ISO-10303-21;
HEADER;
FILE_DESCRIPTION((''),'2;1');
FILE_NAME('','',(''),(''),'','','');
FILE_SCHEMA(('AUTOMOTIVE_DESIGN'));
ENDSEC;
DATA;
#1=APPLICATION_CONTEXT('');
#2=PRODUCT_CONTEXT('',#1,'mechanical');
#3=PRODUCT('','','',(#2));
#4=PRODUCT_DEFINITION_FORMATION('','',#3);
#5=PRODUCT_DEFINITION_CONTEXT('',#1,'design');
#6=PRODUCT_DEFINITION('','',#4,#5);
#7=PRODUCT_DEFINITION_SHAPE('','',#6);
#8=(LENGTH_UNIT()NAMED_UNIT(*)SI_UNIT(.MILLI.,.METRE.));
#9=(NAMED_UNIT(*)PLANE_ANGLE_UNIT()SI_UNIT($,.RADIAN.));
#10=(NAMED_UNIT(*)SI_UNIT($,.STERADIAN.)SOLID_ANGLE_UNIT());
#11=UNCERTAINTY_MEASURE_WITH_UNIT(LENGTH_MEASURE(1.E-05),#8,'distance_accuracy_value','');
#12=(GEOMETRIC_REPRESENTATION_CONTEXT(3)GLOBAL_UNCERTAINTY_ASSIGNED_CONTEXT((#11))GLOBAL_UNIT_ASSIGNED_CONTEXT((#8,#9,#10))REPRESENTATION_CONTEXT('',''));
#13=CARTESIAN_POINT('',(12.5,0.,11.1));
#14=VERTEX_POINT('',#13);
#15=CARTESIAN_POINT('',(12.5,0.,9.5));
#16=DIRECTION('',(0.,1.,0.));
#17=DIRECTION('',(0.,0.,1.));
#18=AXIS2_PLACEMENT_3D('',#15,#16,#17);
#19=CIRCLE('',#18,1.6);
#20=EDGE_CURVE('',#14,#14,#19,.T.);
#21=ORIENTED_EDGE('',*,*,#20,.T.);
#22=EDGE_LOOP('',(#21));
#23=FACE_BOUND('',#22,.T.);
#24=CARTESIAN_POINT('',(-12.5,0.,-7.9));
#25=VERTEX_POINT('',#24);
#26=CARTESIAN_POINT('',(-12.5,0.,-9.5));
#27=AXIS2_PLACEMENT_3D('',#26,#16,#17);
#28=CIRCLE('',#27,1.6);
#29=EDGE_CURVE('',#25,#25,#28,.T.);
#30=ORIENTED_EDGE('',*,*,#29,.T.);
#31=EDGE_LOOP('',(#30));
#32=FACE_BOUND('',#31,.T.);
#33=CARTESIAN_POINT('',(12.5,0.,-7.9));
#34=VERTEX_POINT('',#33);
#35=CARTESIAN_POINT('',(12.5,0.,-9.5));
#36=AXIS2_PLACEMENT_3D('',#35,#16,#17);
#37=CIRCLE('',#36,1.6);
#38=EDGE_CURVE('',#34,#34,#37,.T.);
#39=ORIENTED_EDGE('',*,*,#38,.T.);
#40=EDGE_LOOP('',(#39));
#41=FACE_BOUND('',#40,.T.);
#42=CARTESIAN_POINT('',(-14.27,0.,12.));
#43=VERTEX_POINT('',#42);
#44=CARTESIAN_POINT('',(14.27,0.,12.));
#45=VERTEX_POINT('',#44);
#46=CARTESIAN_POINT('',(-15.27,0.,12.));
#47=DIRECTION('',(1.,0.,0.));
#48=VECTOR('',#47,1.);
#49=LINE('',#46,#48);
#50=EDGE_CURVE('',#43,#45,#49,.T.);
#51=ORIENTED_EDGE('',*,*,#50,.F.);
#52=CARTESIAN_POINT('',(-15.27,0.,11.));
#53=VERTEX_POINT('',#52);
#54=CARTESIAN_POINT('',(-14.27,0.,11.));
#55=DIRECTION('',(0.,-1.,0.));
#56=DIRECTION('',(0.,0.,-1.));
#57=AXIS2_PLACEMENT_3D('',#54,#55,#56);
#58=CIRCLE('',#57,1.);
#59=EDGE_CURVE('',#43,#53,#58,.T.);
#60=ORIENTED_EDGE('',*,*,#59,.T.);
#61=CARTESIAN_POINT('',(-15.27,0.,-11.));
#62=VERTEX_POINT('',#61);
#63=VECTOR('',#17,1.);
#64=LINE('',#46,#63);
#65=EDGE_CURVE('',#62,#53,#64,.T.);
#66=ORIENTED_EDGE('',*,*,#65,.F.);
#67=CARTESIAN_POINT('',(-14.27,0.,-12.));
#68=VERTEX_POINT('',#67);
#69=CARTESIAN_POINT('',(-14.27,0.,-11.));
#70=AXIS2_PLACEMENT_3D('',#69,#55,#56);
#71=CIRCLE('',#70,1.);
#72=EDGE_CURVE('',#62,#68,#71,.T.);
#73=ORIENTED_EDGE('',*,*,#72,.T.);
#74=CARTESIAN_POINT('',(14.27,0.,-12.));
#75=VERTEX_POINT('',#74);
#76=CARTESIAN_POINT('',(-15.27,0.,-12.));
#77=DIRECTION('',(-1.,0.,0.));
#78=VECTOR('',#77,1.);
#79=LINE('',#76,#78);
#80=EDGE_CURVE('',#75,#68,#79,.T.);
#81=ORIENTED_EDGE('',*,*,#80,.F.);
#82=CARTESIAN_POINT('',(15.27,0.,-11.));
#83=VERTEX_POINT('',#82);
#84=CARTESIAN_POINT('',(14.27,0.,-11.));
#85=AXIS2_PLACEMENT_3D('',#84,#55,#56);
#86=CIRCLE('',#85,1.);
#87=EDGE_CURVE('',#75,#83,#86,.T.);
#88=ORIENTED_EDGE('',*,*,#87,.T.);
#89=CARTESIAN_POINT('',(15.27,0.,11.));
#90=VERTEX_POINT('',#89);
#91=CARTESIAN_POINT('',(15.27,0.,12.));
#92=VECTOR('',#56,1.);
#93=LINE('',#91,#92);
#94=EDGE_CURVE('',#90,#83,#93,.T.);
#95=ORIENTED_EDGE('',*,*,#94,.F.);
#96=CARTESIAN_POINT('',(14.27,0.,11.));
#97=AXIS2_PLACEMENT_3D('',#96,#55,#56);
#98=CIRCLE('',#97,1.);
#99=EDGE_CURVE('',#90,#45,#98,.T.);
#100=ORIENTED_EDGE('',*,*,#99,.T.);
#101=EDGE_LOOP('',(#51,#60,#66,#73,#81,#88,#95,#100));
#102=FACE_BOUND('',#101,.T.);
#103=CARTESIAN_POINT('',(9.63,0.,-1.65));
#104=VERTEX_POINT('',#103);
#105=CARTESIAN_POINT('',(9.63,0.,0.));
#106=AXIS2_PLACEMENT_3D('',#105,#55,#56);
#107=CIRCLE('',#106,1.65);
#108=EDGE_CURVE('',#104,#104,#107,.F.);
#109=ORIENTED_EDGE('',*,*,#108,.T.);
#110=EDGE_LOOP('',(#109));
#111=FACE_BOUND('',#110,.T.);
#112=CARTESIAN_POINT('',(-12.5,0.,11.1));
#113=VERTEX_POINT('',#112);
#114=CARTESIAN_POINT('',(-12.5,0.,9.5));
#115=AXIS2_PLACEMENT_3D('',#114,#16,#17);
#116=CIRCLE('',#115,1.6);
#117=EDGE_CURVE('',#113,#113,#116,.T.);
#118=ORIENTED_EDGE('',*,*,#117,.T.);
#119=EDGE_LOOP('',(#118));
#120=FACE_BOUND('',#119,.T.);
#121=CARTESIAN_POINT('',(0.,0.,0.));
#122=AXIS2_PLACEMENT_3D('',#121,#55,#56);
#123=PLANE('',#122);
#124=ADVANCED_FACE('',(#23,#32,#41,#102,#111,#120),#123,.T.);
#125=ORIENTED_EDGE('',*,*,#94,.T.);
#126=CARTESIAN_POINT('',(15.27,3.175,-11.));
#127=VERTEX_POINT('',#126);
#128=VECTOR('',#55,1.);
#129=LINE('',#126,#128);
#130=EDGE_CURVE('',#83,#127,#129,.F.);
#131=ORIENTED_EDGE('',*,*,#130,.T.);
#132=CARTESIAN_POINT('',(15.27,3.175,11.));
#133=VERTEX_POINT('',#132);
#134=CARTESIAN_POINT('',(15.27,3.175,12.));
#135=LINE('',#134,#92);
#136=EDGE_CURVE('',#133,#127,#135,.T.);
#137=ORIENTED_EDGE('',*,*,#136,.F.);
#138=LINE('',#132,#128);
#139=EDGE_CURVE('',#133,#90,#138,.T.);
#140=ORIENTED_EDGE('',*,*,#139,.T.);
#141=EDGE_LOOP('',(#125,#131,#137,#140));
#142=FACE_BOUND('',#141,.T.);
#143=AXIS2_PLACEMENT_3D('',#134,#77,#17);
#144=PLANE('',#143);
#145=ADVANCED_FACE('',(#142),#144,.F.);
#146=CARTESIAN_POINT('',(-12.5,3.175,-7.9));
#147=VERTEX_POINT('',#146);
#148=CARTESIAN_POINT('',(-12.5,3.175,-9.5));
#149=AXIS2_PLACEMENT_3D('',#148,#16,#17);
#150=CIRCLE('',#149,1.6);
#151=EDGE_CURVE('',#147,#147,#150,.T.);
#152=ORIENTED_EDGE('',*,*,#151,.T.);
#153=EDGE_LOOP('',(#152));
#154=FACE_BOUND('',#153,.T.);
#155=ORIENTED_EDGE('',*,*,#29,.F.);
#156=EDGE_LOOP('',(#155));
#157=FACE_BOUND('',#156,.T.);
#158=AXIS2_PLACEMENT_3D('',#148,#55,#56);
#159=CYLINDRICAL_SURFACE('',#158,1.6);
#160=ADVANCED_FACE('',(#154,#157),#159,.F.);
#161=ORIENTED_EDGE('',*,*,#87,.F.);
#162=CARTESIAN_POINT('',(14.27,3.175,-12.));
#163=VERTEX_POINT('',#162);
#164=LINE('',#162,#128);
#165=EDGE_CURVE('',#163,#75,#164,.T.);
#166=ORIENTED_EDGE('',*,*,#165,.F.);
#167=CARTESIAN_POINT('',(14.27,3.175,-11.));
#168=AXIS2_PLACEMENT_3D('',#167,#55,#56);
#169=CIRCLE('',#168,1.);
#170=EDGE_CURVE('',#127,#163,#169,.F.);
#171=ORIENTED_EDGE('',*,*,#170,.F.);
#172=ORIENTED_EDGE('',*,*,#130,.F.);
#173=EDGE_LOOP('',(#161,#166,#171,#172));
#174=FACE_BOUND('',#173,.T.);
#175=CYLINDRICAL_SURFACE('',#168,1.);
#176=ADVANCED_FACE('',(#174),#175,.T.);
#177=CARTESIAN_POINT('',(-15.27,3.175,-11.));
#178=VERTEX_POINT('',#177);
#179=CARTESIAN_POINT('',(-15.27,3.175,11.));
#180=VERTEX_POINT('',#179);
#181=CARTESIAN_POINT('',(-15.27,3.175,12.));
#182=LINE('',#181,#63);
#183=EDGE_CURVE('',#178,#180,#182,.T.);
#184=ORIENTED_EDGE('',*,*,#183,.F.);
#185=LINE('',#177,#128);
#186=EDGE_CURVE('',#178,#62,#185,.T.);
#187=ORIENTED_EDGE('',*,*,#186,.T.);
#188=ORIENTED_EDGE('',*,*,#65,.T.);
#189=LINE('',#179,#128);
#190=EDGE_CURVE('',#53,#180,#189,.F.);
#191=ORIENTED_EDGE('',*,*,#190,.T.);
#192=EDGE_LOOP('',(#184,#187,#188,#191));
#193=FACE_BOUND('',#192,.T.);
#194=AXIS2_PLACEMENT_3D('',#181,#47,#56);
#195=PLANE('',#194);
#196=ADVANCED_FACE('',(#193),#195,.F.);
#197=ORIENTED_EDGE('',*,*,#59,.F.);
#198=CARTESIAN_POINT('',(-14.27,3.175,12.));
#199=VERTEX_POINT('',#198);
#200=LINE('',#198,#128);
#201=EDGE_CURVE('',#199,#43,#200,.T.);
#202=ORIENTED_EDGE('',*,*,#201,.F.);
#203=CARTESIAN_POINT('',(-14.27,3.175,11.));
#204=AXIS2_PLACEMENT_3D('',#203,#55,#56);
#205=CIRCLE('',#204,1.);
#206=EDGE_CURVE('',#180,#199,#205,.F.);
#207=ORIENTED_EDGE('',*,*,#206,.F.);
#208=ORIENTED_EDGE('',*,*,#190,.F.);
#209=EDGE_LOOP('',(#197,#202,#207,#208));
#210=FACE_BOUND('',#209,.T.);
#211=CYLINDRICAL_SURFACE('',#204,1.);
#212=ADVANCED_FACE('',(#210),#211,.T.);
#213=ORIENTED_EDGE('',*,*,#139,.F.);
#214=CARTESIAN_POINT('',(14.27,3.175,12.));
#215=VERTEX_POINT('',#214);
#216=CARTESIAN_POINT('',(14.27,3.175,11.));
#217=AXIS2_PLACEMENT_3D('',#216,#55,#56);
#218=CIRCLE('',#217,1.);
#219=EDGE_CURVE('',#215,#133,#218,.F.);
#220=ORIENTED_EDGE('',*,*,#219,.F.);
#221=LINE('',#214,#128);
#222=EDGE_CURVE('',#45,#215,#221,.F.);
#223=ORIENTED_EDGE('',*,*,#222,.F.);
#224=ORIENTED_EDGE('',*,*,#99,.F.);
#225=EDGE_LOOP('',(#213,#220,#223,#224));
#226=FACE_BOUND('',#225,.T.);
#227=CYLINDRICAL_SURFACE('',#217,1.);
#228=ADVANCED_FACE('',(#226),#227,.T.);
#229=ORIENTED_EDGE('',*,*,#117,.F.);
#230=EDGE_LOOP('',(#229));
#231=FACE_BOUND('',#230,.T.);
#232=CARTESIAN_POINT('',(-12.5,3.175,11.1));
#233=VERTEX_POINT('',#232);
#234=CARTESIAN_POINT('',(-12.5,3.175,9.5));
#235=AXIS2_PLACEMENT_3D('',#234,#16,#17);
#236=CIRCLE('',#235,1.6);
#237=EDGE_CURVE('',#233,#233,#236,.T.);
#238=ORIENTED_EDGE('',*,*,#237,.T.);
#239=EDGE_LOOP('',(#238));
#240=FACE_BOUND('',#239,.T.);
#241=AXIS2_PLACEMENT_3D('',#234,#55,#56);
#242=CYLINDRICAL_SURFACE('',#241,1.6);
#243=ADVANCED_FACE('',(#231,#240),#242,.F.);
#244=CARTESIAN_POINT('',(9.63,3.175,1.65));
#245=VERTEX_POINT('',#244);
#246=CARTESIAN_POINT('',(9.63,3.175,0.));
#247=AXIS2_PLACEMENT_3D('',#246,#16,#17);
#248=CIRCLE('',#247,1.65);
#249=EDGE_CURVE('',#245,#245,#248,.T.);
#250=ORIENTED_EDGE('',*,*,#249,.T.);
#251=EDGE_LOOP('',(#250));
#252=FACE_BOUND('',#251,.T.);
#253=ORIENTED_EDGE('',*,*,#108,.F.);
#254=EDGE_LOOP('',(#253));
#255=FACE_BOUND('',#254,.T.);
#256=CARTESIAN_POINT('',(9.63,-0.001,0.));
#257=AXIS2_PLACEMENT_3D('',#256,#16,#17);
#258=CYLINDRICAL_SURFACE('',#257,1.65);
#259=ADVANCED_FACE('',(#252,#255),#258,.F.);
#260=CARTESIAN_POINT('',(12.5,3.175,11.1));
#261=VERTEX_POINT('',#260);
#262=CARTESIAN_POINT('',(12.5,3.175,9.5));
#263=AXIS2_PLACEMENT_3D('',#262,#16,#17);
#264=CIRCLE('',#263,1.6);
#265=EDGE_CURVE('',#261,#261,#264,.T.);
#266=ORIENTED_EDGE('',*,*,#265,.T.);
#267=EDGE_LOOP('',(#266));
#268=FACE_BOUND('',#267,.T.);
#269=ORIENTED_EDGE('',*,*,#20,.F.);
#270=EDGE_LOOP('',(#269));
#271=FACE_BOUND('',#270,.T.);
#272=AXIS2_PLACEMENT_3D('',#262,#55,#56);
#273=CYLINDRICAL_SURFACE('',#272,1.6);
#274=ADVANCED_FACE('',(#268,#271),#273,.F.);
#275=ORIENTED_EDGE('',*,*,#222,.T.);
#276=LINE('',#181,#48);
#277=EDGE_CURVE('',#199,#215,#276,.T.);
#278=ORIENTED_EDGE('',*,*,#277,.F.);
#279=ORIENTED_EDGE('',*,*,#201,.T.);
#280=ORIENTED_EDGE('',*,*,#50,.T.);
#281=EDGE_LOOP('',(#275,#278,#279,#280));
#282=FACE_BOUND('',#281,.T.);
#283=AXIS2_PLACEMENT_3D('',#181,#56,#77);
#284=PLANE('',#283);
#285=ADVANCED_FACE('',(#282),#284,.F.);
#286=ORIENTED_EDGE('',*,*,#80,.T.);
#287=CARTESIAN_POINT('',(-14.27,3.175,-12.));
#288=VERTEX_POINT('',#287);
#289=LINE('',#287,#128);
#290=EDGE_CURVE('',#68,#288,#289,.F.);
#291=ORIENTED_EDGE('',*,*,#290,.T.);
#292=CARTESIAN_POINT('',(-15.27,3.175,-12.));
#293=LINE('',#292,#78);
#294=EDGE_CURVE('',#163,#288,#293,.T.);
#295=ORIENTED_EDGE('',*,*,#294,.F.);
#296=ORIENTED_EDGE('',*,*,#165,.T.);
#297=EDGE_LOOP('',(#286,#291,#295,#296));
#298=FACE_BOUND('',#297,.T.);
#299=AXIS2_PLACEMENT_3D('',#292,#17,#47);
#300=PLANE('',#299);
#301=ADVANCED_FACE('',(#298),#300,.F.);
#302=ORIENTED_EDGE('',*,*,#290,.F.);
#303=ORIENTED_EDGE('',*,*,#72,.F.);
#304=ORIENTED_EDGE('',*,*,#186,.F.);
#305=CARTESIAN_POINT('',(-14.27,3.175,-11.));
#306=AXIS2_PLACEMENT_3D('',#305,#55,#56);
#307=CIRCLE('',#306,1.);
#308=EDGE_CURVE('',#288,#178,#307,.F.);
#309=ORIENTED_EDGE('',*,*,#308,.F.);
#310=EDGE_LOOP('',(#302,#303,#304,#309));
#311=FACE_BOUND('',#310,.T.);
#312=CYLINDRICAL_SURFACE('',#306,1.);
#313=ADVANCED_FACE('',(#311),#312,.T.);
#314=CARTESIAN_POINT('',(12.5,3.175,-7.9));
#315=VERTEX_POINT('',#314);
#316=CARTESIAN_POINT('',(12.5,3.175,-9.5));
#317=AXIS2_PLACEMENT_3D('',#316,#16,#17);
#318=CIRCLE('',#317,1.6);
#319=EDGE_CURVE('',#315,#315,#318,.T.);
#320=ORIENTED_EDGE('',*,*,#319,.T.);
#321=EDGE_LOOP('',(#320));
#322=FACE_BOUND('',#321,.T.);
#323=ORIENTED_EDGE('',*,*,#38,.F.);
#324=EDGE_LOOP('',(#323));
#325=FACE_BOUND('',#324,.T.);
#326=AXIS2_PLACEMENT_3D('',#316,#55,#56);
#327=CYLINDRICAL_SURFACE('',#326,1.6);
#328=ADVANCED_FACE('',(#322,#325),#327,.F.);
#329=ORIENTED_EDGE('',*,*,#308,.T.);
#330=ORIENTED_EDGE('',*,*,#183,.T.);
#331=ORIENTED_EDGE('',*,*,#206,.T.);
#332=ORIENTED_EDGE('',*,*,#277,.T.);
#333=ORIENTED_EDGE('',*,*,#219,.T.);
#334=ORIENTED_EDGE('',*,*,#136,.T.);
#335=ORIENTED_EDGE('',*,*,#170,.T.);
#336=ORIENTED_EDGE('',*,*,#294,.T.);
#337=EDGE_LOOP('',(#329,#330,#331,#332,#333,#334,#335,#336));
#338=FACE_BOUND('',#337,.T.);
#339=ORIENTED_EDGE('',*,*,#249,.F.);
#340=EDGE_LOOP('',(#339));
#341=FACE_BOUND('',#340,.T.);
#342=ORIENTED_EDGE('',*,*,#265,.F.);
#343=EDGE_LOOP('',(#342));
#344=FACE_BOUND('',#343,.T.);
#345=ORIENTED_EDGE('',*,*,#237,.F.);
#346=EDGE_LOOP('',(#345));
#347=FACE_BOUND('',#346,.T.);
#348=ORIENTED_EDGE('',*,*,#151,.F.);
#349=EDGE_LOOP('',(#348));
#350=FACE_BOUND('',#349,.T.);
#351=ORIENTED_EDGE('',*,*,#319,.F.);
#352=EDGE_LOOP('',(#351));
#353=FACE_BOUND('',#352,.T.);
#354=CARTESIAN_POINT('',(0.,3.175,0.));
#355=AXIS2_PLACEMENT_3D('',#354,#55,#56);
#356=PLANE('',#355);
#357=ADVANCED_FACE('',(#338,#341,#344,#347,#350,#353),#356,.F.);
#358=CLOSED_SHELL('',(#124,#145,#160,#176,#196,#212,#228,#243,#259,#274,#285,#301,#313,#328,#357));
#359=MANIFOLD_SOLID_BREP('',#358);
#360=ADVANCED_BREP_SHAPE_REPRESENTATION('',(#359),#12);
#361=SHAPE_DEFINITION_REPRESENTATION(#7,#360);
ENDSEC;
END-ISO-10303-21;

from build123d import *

# Parameters (mm, degrees)
SKETCH1_W           = 30.54
SKETCH1_H           = 24
SKETCH1_R           = 1.6
BOSS_EXTRUDE1_DEPTH = 3.175
FILLET1_R           = 1
CUT_EXTRUDE1_REACH  = 21.679
SKETCH3_R           = 1.65


with BuildPart() as part:
    # Sketch1 → Boss-Extrude1 (new body)
    with BuildSketch(Plane(origin=(0, 0, 0), x_dir=(1, 0, 0), z_dir=(0, 1, 0))):
        Rectangle(SKETCH1_W, SKETCH1_H)
        with Locations(Location((-12.5, 9.5, 0), (0, 0, 270))):
            Circle(SKETCH1_R, mode=Mode.SUBTRACT)
        with Locations(Location((-12.5, -9.5, 0), (0, 0, 270))):
            Circle(SKETCH1_R, mode=Mode.SUBTRACT)
        with Locations(Location((12.5, -9.5, 0), (0, 0, 270))):
            Circle(SKETCH1_R, mode=Mode.SUBTRACT)
        with Locations(Location((12.5, 9.5, 0), (0, 0, 270))):
            Circle(SKETCH1_R, mode=Mode.SUBTRACT)
    extrude(amount=BOSS_EXTRUDE1_DEPTH)

    # Fillet1
    fillet1_edges = [part.edges().sort_by_distance(p)[0] for p in [
        (15.27, 1.5875, 12),
        (-15.27, 1.5875, 12),
        (-15.27, 1.5875, -12),
        (15.27, 1.5875, -12),
    ]]
    fillet(fillet1_edges, radius=FILLET1_R)

    # Sketch3 → Cut-Extrude1 (cut, up to next)
    with BuildSketch(Plane(origin=(0, 3.175, 0), x_dir=(1, 0, 0), z_dir=(0, 1, 0)), mode=Mode.PRIVATE) as cut_extrude1_sk1:
        with Locations(Location((9.63, 0, 0), (0, 0, 270))):
            Circle(SKETCH3_R)
    cut_extrude1_tool1 = extrude(cut_extrude1_sk1.sketch, amount=-CUT_EXTRUDE1_REACH, mode=Mode.PRIVATE) & part.part
    add(cut_extrude1_tool1.solids().sort_by_distance((9.63, 3.175, 0))[0], mode=Mode.SUBTRACT)


solid = part.part
